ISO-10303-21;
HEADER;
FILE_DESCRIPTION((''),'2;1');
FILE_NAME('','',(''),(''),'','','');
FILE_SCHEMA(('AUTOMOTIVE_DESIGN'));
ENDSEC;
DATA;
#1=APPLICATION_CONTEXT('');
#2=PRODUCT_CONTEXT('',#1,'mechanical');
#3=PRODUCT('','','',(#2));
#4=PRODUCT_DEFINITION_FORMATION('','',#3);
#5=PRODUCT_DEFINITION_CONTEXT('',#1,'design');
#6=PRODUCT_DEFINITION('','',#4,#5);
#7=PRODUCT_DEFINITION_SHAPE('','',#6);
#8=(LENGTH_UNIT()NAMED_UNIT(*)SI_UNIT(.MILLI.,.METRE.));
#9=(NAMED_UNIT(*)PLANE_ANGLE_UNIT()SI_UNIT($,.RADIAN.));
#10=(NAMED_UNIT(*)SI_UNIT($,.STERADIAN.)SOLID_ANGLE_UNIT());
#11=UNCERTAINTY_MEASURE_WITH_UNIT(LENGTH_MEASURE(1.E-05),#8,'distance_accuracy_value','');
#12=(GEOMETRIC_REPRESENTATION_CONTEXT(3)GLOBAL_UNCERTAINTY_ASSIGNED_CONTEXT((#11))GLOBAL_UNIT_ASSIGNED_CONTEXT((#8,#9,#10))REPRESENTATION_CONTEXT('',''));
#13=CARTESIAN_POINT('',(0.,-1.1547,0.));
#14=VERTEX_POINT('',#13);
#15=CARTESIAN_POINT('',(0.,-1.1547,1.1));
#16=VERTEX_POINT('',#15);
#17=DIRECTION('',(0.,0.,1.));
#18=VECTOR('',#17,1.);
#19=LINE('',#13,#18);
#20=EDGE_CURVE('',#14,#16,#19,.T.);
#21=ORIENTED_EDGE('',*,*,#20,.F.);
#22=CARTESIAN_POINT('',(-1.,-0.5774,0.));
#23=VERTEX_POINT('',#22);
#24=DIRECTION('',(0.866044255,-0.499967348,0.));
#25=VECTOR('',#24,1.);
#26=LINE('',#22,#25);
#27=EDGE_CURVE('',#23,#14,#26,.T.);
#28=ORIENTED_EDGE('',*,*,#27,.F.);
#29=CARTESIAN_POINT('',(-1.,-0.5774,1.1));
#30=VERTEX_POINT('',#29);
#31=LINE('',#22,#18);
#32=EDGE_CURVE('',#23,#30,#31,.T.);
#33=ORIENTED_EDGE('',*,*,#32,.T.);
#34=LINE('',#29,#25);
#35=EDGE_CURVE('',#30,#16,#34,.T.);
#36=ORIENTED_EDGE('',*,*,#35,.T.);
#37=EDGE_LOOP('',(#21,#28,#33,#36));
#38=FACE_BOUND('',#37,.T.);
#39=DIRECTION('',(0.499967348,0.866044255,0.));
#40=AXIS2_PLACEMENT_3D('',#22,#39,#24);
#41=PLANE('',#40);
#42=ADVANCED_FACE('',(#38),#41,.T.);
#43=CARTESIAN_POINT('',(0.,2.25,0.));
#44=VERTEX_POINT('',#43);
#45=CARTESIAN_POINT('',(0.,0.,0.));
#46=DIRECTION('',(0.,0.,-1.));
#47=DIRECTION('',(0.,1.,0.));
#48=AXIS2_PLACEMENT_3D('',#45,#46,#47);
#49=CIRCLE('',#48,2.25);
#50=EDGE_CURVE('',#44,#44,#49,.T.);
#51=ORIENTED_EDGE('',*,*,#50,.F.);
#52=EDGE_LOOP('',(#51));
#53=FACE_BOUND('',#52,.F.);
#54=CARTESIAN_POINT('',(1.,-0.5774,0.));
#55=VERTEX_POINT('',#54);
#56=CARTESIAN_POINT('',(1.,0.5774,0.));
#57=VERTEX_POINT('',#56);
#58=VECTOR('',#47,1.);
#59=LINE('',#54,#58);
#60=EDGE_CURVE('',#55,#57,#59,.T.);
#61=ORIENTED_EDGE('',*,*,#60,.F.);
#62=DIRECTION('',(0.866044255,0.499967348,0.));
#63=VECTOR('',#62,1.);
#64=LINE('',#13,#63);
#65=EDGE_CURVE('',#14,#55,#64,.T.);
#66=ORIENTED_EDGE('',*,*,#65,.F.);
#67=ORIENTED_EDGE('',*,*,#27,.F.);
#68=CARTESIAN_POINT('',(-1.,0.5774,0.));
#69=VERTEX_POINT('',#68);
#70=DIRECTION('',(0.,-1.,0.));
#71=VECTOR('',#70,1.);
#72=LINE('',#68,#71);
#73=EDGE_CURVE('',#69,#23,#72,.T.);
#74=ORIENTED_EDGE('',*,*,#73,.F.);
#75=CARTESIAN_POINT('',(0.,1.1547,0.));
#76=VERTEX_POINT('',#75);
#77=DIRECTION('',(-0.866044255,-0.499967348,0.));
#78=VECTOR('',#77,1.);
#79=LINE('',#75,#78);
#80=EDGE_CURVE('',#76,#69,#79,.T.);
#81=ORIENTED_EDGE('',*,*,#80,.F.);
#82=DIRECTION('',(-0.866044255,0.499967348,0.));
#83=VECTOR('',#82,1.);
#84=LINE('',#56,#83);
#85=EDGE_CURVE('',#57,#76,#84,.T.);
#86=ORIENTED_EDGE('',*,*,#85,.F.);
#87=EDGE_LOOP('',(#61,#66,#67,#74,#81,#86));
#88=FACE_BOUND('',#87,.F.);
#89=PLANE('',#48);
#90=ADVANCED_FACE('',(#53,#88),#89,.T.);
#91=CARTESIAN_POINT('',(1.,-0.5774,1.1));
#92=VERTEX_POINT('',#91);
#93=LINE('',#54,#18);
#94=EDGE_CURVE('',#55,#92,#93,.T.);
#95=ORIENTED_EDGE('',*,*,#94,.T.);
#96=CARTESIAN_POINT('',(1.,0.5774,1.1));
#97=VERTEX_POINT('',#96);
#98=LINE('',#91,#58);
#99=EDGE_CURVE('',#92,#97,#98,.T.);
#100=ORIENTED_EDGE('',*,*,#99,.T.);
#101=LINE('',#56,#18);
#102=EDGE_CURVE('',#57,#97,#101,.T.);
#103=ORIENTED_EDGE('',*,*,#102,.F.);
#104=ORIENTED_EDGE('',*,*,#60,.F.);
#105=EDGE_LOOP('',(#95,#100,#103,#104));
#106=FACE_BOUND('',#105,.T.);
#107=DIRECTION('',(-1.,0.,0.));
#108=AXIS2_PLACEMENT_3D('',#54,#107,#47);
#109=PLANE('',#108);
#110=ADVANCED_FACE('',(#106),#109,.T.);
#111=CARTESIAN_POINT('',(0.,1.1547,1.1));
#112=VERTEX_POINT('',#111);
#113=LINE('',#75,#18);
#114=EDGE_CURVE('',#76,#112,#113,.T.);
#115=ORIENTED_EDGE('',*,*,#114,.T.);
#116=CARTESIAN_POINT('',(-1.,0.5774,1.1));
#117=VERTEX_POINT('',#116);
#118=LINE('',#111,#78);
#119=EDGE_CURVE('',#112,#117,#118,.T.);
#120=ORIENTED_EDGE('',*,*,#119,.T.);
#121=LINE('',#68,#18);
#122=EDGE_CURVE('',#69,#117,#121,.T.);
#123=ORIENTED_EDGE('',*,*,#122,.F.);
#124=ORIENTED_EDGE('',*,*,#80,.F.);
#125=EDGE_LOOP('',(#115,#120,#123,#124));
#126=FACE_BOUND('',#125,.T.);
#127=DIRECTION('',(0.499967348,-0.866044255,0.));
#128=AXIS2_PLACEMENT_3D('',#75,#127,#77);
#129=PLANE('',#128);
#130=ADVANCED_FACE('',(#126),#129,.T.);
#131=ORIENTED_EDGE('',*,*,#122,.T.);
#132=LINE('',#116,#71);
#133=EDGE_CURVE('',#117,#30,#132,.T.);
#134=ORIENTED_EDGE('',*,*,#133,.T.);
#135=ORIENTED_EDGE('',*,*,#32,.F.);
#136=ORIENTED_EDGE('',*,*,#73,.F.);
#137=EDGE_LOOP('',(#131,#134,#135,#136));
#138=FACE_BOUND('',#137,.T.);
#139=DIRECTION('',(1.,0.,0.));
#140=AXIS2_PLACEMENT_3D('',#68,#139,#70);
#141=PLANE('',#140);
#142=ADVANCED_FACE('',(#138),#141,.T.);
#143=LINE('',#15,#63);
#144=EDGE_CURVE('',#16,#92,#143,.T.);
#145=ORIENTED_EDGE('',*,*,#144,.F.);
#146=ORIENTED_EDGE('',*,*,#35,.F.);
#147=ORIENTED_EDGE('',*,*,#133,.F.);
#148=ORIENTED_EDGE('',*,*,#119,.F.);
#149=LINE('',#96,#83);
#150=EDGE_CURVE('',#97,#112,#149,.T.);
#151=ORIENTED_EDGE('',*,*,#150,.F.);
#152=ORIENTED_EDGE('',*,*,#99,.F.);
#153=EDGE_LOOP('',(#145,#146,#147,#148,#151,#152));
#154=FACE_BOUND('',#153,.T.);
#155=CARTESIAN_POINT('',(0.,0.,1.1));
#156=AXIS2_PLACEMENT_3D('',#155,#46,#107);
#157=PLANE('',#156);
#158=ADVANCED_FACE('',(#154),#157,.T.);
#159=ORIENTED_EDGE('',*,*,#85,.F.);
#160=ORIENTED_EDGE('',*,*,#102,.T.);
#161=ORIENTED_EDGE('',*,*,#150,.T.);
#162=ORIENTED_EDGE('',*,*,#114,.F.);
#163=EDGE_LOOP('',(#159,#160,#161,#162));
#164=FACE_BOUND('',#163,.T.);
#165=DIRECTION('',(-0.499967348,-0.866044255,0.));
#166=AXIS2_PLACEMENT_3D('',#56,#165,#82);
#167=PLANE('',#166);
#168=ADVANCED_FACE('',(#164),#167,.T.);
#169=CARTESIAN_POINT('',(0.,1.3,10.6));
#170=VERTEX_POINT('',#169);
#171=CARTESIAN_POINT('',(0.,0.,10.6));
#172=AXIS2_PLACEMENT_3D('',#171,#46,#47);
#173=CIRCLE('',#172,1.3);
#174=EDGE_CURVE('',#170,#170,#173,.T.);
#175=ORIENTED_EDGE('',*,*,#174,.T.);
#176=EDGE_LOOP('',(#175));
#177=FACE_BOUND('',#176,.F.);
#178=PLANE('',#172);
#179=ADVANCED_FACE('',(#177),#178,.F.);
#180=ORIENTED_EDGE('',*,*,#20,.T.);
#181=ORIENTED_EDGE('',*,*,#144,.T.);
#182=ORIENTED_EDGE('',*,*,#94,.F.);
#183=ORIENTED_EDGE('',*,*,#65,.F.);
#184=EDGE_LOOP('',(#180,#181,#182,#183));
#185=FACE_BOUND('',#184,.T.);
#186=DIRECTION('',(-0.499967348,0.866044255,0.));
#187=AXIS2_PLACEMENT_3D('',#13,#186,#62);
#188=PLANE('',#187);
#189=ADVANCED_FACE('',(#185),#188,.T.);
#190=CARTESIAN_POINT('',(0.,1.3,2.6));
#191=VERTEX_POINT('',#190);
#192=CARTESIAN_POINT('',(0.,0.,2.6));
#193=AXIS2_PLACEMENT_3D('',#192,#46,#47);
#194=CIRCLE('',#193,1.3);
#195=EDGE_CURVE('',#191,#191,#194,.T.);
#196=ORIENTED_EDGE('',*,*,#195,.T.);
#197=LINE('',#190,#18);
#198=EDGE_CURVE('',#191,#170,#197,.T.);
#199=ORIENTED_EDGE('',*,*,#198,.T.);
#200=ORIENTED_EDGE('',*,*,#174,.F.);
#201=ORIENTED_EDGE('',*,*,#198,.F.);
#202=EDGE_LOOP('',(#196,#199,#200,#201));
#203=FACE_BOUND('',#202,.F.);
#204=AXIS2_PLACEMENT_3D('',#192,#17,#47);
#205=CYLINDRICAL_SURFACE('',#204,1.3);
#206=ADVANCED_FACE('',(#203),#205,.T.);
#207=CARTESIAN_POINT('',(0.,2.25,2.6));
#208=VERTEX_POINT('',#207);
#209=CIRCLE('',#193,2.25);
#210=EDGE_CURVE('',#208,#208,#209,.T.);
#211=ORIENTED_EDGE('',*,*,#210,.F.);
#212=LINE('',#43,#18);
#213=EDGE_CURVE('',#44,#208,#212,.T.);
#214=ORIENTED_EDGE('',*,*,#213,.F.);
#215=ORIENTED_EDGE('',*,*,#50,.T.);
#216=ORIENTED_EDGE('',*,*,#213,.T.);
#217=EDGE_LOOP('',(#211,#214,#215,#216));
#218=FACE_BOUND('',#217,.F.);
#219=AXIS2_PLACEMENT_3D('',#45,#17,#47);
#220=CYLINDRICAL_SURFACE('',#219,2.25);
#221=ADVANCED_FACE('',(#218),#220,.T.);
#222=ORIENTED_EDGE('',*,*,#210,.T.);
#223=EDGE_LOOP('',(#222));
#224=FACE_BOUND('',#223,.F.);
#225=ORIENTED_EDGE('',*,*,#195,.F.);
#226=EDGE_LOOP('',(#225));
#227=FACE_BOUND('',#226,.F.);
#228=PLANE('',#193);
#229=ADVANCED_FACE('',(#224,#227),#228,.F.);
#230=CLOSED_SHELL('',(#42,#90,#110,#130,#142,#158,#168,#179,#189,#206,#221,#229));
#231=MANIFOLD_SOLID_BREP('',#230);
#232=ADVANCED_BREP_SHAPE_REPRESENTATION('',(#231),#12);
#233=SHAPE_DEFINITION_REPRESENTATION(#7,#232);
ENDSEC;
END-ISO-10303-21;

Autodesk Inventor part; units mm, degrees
ref_plane "YZ Plane" through (0, 0, 0) normal (1, 0, 0) x (0, 1, 0)
ref_plane "XZ Plane" through (0, 0, 0) normal (0, 1, 0) x (-1, 0, 0)
ref_plane "XY Plane" through (0, 0, 0) normal (0, 0, 1) x (1, 0, 0)
sketch "スケッチ1" plane through (0, 0, 0) normal (1, 0, 0) x (0, 1, 0)
  line L0 (0, 10.6) -> (0, 0)
  line L1 (0, 0) -> (2.25, 0)
  line L2 (2.25, 0) -> (2.25, 2.6)
  line L3 (2.25, 2.6) -> (1.3, 2.6)
  line L4 (1.3, 2.6) -> (1.3, 10.6)
  line L5 (1.3, 10.6) -> (0, 10.6)
  dimension "d2" = 2.6
  dimension "d10" = 8
  dimension "d11" = 2.6
  dimension "d12" = 4.5
revolve "回転1" add sketch "スケッチ1" angle 360 about axis through (0, 0, 10.6) along (0, 0, -1)
thread "ねじ1" size "M2.6x0.45" class "6g" standard "ANSI Metric M Profile" full length
sketch "スケッチ2" plane through (0, 0, 0) normal (0, 0, -1) x (-1, 0, 0)
  line L0 (0, 1.1547) -> (1, 0.5774)
  line L1 (1, 0.5774) -> (1, -0.5774)
  line L2 (1, -0.5774) -> (0, -1.1547)
  line L3 (0, -1.1547) -> (-1, -0.5774)
  line L4 (-1, -0.5774) -> (-1, 0.5774)
  line L5 (-1, 0.5774) -> (0, 1.1547)
  circle A0 centre (0, 0) radius 2.25 projected
  line L6 (0, 2.25) -> (0, -2.25) construction
  dimension "d7" = 2
extrude "押し出し1" cut sketch "スケッチ2" against normal blind 1.1 contours L0 L1 L2 L3 L4 L5
properties part number "UC-2608" material "ステンレス鋼 AISI 304"
